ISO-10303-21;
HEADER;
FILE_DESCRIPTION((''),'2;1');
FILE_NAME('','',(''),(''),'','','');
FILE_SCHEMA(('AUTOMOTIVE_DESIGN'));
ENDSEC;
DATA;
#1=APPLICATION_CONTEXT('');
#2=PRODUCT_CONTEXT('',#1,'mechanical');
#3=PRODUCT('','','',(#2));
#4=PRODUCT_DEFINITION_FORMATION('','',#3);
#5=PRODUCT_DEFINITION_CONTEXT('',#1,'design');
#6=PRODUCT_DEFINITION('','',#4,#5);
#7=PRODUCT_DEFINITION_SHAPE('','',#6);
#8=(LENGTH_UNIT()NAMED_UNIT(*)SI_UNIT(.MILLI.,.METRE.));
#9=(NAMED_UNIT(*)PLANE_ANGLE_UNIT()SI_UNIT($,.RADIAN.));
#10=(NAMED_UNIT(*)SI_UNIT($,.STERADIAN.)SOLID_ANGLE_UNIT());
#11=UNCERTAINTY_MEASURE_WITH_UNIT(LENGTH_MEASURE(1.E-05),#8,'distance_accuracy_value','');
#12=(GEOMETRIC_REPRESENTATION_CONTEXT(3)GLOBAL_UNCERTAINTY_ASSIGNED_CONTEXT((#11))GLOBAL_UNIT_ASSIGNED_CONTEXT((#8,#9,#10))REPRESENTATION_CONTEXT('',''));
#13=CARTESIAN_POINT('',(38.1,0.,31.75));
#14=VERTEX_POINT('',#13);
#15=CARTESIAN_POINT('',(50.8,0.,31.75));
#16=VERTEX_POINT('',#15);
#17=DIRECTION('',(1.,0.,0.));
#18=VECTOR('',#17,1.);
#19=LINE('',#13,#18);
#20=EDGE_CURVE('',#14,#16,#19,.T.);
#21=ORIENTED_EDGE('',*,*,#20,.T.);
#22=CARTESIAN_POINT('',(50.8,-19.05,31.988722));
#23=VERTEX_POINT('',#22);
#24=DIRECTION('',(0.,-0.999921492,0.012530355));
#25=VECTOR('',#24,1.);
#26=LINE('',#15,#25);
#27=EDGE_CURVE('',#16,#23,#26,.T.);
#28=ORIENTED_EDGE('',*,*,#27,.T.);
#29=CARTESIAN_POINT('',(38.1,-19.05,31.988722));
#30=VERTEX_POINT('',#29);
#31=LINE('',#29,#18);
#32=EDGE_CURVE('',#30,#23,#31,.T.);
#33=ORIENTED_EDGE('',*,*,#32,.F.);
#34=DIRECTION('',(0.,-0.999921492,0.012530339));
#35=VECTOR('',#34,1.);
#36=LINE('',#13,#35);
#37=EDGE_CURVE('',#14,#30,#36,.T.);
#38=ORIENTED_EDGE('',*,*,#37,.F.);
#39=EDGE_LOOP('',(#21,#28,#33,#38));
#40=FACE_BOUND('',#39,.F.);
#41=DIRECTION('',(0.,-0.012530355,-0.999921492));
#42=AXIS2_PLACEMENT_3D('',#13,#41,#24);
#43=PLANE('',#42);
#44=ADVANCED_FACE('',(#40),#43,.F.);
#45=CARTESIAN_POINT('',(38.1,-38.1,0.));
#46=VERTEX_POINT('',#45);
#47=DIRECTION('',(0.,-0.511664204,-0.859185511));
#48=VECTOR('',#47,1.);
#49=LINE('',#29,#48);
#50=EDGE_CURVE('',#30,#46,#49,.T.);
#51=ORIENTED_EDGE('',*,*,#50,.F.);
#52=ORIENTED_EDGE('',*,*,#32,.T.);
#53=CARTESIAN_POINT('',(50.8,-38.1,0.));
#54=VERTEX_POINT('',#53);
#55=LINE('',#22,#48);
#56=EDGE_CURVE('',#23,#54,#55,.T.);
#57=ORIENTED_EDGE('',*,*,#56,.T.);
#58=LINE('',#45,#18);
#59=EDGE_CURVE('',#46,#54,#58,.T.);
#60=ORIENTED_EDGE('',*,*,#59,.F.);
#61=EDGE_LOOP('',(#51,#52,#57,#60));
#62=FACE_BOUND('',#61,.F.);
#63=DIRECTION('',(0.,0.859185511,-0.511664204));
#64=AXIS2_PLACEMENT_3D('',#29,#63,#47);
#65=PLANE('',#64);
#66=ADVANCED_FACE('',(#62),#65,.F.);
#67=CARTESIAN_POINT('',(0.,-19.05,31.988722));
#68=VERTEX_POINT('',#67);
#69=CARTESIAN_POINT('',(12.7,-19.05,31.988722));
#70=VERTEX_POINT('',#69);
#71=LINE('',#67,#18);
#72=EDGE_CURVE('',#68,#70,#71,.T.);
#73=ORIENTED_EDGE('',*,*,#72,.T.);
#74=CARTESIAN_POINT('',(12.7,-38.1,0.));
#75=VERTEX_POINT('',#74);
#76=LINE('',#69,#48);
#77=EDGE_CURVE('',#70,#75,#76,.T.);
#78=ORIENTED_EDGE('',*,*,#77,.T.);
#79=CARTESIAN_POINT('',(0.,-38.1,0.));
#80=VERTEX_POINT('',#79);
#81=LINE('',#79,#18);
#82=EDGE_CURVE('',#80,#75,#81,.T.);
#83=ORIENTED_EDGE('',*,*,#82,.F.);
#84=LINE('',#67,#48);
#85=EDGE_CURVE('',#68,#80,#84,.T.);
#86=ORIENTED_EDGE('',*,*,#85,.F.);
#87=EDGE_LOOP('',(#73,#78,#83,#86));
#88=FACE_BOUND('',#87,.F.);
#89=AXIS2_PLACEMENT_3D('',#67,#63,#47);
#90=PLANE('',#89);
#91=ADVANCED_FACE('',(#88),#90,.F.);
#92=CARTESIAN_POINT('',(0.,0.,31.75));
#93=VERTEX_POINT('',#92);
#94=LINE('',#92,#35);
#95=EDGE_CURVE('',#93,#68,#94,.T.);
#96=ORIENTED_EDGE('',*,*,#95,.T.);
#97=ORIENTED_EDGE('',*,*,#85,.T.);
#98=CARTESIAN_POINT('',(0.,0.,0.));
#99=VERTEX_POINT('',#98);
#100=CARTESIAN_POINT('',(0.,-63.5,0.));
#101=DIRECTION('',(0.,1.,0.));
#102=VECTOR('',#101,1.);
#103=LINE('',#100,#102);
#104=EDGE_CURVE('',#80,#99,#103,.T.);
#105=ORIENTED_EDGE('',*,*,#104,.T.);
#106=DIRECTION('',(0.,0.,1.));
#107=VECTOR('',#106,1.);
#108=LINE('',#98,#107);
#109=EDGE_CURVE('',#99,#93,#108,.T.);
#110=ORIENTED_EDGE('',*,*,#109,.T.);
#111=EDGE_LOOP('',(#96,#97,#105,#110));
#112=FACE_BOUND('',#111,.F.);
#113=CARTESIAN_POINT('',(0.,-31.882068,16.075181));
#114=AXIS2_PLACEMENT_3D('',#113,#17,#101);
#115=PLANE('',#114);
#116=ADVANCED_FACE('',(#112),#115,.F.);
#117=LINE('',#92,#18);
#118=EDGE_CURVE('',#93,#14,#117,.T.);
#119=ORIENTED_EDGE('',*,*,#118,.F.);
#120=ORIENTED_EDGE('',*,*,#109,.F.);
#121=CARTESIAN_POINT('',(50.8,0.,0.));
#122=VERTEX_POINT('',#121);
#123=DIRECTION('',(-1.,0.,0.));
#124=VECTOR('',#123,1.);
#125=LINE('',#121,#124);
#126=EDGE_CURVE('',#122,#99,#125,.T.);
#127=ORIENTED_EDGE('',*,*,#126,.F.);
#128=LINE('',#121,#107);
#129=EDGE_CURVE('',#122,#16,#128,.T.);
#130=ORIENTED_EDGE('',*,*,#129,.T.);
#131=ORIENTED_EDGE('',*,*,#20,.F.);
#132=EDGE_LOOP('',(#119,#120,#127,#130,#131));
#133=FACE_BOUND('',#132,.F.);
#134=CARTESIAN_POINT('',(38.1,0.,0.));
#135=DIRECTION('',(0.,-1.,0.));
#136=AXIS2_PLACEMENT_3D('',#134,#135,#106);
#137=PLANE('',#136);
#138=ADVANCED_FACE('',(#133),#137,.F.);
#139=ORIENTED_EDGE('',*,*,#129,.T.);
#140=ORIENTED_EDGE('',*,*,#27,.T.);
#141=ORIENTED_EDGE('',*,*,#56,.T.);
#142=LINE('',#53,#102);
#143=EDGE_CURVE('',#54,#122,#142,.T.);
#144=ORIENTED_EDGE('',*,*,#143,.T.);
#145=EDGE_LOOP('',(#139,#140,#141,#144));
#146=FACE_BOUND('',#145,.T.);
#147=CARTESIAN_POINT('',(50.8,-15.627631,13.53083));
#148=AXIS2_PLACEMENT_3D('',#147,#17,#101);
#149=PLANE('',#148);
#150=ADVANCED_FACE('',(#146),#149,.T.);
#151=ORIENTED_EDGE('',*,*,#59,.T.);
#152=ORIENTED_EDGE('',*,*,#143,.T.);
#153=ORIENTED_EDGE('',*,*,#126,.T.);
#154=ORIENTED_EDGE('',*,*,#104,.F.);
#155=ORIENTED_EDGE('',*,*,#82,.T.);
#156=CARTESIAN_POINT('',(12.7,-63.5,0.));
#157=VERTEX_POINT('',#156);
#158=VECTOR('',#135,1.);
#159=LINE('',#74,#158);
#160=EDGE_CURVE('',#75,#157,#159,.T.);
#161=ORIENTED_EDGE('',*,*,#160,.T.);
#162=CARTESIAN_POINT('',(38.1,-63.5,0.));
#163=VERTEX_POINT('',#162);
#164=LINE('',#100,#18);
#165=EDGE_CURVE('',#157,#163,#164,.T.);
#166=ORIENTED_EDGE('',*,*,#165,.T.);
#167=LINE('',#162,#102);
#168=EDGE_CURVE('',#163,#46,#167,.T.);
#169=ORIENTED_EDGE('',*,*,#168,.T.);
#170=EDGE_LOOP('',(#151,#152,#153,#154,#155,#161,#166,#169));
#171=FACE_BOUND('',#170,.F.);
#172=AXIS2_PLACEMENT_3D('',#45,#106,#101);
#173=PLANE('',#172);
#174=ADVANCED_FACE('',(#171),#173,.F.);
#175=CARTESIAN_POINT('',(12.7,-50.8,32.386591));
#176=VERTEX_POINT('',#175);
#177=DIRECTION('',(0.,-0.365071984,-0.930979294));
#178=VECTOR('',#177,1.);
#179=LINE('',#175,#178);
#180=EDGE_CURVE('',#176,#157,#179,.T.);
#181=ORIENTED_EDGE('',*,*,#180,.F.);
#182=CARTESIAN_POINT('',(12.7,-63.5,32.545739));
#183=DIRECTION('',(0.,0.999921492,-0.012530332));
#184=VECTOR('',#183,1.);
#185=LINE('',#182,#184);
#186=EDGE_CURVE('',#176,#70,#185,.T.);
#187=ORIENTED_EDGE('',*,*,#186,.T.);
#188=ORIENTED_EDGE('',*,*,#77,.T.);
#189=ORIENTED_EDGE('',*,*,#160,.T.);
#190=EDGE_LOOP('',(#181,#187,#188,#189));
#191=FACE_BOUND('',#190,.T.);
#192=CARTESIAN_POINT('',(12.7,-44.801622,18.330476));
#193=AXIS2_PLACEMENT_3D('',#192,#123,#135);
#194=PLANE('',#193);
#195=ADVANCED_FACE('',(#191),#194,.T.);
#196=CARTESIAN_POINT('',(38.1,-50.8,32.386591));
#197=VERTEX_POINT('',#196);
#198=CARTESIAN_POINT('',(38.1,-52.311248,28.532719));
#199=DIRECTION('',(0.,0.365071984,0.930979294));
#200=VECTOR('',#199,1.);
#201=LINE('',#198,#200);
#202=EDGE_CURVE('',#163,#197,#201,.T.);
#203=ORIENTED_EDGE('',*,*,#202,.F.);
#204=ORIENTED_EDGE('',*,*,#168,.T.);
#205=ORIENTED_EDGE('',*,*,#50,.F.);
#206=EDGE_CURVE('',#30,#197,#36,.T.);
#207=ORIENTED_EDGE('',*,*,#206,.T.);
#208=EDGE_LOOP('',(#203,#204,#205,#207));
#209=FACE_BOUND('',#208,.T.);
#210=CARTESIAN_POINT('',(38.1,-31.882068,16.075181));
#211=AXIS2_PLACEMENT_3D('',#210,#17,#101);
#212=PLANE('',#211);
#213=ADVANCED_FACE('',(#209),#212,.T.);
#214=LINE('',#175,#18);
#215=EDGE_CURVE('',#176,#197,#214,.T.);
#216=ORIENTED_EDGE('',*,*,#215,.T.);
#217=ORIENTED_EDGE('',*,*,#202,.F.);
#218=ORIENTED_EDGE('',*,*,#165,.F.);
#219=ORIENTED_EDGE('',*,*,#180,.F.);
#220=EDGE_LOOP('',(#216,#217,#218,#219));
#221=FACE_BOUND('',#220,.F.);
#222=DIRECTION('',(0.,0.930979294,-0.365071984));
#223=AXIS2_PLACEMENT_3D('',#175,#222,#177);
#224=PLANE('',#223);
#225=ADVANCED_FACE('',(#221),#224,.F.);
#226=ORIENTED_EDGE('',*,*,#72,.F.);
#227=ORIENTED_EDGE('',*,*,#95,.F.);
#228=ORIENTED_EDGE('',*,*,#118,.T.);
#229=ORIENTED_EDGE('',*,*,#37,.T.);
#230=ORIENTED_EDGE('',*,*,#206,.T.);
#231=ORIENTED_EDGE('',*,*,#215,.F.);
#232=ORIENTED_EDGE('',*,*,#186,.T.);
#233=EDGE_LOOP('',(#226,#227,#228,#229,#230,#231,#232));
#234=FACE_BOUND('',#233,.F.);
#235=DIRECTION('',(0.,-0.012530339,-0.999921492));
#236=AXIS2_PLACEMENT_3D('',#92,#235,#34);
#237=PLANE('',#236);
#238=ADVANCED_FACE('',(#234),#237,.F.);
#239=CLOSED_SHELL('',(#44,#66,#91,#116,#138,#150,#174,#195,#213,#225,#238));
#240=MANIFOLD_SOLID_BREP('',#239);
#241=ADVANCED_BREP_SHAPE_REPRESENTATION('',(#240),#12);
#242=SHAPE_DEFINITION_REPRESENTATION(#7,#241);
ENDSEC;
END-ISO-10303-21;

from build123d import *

# Parameters (mm, degrees)
F1_DEPTH = 38.1
F3_DEPTH = 12.7
F5_DEPTH = 12.7
F7_DEPTH = 25.4
F9_DEPTH = 50.8


with BuildPart() as f1:
    # F0 (on Right) → F1 (new body)
    with BuildSketch(Plane.YZ):
        Polygon((0, 0), (0, 31.75), (-63.5, 32.545739), (-63.5, 0), align=None)
    extrude(amount=F1_DEPTH)

    # F2 (on face) → F3 (cut)
    with BuildSketch(Plane(origin=(0, 0, 0), x_dir=(0, -1, 0), z_dir=(-1, 0, 0))):
        Polygon((63.5, 32.545739), (19.05, 31.988722), (38.1, 0), (63.5, 0), align=None)
    extrude(amount=-F3_DEPTH, mode=Mode.SUBTRACT)

    # F4 (on face) → F5 (join)
    with BuildSketch(Plane.YZ.offset(38.1)):
        Polygon((0, 31.75), (-19.05, 31.988722), (-38.1, 0), (0, 0), align=None)
    extrude(amount=F5_DEPTH)

    # F6 (on face) → F7 (cut)
    with BuildSketch(Plane(origin=(12.7, 0, 0), x_dir=(0, -1, 0), z_dir=(-1, 0, 0))):
        Polygon((63.5, 32.545739), (50.8, 32.386591), (63.5, 0), align=None)
    extrude(amount=F7_DEPTH, mode=Mode.SUBTRACT)

    # F8 (on face) → F9 (cut)
    with BuildSketch(Plane(origin=(12.7, 0, 0), x_dir=(0, -1, 0), z_dir=(-1, 0, 0))):
        Polygon((63.5, 32.545739), (50.8, 32.386591), (63.5, 0), align=None)
    extrude(amount=-F9_DEPTH, mode=Mode.SUBTRACT)


solid = f1.part
